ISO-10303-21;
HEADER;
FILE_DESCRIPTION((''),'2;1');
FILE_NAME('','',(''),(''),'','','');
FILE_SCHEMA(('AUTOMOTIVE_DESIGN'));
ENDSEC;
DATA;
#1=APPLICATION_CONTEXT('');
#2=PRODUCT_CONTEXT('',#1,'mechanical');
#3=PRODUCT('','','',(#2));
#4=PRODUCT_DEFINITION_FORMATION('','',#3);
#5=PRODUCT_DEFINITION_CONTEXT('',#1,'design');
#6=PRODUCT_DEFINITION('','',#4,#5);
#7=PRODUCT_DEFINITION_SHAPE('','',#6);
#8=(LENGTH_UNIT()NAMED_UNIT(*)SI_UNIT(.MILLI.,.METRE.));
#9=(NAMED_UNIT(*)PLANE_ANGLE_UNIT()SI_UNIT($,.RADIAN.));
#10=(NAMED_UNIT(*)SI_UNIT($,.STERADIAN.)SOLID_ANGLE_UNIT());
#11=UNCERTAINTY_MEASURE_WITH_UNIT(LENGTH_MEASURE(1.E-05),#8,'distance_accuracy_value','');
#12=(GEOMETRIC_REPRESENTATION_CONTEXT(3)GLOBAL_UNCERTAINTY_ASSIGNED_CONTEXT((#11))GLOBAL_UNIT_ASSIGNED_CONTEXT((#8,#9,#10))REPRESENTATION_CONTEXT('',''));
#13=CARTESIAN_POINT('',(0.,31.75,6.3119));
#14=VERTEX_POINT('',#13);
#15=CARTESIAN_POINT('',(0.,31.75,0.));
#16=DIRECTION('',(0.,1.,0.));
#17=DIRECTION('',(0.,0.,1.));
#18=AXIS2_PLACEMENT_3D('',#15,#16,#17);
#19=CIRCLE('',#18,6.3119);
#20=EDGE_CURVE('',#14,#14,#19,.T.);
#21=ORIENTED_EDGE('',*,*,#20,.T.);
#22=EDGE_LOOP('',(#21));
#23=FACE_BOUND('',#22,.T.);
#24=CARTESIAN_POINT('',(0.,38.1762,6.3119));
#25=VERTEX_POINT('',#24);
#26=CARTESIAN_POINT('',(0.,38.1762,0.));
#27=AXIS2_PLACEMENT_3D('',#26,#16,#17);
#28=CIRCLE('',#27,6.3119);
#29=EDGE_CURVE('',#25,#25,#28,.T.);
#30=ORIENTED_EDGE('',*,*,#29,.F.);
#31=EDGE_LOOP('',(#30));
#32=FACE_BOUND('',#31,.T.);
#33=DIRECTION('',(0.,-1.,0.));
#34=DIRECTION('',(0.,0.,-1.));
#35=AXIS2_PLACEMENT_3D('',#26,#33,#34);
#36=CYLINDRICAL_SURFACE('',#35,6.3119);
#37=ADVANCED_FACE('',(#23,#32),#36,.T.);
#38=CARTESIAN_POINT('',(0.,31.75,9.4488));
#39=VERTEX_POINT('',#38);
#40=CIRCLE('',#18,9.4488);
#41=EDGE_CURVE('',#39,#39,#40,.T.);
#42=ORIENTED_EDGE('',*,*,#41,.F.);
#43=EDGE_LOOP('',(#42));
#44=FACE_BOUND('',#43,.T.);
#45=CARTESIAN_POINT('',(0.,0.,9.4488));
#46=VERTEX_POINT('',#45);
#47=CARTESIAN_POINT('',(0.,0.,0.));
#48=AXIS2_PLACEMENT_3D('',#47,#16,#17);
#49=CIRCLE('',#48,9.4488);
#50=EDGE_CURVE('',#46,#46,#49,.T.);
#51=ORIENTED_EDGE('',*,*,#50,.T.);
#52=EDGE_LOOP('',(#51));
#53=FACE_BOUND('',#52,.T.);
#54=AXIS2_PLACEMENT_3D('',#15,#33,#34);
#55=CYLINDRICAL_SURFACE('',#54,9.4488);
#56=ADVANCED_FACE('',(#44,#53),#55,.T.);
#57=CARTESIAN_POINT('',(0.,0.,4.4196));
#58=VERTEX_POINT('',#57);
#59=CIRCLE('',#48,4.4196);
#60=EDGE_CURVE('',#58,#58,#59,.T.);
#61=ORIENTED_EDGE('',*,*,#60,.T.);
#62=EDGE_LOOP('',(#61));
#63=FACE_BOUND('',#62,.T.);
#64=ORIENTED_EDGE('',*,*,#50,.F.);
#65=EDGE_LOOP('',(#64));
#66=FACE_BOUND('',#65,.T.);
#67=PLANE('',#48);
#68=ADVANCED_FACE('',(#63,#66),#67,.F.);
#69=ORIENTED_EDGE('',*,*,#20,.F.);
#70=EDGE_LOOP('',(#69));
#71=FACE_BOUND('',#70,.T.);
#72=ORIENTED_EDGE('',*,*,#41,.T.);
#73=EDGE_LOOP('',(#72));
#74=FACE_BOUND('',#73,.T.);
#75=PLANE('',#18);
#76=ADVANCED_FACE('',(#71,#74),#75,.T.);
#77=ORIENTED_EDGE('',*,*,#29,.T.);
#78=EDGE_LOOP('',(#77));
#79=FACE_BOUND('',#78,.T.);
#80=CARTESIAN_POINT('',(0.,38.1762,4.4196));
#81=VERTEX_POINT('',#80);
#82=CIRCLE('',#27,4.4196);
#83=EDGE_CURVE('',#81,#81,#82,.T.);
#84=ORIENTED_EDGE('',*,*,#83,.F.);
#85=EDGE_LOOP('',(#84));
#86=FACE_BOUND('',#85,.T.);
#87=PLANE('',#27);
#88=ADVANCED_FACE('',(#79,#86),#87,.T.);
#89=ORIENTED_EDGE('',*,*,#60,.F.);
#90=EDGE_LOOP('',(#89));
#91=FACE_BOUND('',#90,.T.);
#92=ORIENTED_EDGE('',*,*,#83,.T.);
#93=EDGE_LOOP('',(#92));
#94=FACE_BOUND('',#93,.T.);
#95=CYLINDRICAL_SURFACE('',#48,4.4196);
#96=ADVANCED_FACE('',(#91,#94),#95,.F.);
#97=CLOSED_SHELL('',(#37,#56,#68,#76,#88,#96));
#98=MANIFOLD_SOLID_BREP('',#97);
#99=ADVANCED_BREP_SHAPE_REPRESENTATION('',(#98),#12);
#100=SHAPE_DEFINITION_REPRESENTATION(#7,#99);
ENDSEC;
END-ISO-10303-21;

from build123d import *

# Parameters (mm, degrees)
SKETCH1_R           = 9.4488
BOSS_EXTRUDE1_DEPTH = 31.75
SKETCH2_R           = 6.3119
BOSS_EXTRUDE2_DEPTH = 6.4262
SKETCH3_R           = 4.4196
CUT_EXTRUDE1_DEPTH  = 41.447272953


with BuildPart() as part:
    # Sketch1 → Boss-Extrude1 (new body)
    with BuildSketch(Plane(origin=(0, 0, 0), x_dir=(1, 0, 0), z_dir=(0, 1, 0))):
        with Locations(Location((0, 0, 0), (0, 0, 270))):
            Circle(SKETCH1_R)
    extrude(amount=BOSS_EXTRUDE1_DEPTH)

    # Sketch2 → Boss-Extrude2 (add)
    with BuildSketch(Plane(origin=(0, 31.75, 0), x_dir=(1, 0, 0), z_dir=(0, 1, 0))):
        with Locations(Location((0, 0, 0), (0, 0, 270))):
            Circle(SKETCH2_R)
    extrude(amount=BOSS_EXTRUDE2_DEPTH)

    # Sketch3 → Cut-Extrude1 (cut, through all)
    with BuildSketch(Plane(origin=(0, 38.1762, 0), x_dir=(1, 0, 0), z_dir=(0, 1, 0))):
        with Locations(Location((0, 0, 0), (0, 0, 270))):
            Circle(SKETCH3_R)
    extrude(amount=-CUT_EXTRUDE1_DEPTH, mode=Mode.SUBTRACT)


solid = part.part
